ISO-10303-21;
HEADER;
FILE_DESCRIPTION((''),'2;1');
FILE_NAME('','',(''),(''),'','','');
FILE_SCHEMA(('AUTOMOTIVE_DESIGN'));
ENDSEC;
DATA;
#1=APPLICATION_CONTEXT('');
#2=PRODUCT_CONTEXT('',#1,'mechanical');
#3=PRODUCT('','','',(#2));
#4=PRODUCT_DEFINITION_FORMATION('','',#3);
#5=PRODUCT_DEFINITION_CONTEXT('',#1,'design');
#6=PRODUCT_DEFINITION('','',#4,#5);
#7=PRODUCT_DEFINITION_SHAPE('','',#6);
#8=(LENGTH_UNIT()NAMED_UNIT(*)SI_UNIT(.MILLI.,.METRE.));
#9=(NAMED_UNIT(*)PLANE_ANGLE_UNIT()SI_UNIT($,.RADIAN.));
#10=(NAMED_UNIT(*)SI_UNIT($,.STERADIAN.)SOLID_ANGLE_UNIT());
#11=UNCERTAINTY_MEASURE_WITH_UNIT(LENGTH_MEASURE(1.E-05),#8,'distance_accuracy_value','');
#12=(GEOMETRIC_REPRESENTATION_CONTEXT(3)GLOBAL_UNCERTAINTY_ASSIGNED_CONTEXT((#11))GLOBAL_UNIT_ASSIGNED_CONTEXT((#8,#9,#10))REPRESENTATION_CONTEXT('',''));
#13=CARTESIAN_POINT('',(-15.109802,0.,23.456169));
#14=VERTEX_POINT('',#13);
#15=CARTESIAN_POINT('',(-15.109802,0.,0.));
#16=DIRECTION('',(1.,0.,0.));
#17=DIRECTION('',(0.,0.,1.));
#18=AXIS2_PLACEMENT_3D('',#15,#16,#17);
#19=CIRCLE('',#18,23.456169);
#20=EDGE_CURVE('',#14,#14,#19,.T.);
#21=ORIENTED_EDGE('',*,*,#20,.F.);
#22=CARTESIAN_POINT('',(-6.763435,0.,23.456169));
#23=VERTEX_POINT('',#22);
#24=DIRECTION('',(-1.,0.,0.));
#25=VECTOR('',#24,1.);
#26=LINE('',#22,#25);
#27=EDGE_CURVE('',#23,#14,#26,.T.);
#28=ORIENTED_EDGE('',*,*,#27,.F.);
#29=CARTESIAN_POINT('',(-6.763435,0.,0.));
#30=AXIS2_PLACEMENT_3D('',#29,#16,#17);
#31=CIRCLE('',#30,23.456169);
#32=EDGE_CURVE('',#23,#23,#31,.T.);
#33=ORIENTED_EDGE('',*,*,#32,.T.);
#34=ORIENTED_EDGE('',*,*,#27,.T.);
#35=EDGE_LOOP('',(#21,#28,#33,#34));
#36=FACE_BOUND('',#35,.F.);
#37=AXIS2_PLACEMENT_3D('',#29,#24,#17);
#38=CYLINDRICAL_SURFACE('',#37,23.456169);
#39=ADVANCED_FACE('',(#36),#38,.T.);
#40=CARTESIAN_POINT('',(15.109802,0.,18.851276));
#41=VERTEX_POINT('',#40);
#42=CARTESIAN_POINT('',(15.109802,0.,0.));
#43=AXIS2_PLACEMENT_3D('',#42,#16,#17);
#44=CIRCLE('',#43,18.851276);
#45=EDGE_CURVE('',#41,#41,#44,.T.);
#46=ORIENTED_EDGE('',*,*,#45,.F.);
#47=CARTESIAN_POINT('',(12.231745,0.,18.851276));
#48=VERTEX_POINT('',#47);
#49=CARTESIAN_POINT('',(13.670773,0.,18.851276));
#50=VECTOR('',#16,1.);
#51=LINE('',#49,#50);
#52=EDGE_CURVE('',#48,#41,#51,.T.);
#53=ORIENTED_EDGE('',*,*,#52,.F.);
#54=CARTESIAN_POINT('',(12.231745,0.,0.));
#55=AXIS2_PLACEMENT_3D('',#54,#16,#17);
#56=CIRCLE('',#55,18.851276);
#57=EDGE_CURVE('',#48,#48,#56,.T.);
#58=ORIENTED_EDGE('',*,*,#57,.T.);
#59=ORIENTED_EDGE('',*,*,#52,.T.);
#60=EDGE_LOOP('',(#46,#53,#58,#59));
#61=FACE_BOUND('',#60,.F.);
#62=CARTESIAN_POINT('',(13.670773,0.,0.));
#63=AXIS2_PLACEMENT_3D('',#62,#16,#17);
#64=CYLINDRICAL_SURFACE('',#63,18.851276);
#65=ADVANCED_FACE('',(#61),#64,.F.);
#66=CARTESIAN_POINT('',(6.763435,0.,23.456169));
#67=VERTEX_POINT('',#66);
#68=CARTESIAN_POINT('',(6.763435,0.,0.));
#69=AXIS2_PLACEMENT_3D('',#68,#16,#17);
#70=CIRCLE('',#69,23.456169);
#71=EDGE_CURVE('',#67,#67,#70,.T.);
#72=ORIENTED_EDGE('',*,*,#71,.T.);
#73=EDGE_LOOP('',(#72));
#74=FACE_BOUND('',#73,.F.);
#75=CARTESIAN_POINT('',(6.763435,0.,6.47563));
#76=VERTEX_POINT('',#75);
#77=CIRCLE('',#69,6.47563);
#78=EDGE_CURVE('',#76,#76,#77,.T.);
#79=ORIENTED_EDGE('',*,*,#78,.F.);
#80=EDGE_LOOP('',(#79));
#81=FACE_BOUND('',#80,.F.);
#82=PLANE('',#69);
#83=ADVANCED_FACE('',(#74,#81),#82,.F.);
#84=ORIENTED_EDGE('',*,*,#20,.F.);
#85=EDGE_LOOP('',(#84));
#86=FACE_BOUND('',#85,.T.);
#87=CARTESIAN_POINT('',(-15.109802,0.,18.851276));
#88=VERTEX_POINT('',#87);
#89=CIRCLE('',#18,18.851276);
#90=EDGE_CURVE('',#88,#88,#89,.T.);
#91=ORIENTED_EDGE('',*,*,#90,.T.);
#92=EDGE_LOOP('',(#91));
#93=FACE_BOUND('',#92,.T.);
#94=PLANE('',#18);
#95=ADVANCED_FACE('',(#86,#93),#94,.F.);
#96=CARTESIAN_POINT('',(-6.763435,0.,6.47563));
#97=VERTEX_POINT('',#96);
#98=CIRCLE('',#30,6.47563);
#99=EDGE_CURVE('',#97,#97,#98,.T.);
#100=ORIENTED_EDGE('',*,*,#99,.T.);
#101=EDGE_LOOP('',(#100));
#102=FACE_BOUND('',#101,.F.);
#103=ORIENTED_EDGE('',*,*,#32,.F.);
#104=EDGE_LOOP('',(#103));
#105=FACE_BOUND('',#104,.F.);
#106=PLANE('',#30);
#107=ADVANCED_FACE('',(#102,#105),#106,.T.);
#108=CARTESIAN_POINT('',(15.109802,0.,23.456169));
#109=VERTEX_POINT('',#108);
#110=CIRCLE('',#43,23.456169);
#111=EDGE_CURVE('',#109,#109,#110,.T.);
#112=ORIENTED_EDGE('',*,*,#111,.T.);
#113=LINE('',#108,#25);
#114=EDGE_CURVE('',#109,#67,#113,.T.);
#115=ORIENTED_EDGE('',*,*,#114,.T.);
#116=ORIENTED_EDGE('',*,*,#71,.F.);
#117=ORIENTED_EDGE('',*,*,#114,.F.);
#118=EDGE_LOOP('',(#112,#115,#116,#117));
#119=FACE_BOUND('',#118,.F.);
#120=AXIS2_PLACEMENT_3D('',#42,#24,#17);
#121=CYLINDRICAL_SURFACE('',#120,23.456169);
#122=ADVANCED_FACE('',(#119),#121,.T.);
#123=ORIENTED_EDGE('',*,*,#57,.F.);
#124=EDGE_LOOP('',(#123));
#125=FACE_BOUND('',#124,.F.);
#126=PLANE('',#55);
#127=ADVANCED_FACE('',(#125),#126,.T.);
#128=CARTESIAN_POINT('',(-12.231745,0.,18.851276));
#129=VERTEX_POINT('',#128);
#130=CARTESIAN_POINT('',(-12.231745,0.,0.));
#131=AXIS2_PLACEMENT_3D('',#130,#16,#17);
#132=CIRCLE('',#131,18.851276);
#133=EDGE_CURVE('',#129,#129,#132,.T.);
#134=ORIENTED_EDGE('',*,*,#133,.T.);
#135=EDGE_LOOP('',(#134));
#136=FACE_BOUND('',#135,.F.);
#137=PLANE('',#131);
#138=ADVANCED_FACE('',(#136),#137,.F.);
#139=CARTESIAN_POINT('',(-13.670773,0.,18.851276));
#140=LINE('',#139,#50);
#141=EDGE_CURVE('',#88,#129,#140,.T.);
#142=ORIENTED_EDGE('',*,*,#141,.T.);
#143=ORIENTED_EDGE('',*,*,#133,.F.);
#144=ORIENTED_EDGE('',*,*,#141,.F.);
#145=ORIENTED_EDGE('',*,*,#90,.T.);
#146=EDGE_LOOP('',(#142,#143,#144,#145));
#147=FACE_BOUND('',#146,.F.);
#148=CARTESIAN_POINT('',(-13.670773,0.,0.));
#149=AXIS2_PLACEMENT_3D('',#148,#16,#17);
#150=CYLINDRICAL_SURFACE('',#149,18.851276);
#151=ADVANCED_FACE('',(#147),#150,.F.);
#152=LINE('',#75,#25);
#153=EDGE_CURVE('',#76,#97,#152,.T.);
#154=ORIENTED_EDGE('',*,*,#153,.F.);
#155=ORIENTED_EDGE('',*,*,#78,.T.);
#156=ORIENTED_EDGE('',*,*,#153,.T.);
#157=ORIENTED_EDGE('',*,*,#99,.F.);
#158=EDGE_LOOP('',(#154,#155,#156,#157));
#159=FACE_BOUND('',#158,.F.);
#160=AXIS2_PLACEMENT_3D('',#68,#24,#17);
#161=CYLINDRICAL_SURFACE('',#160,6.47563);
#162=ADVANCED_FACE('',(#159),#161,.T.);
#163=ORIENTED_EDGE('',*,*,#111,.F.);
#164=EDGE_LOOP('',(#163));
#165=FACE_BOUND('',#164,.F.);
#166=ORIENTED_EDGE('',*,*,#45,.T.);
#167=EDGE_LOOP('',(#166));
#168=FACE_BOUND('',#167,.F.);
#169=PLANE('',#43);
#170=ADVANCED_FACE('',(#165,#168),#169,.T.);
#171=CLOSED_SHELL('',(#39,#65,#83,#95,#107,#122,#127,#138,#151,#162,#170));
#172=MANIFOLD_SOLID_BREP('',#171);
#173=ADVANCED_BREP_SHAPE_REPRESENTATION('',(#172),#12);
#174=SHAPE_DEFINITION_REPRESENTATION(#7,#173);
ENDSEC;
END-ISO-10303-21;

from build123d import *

# Parameters (mm, degrees)
F0_W   = 2.8780568391
F0_H   = 4.6048928052
F0_W_2 = 6.7634354345
F0_H_2 = 6.4756297506


with BuildPart() as f1:
    # F0 (on Front) → F1 (revolve)
    with BuildSketch(Plane.XZ):
        Polygon((-12.2317448258, 0), (-6.7634354345, 0), (-6.7634354345, 6.4756297506), (-6.7634354345, 23.4561692923), (-12.2317448258, 23.4561692923), (-12.2317448258, 18.8512764871), align=None)
        with Locations((-13.6707732454, 21.1537228897)):
            Rectangle(F0_W, F0_H)
        with Locations((-3.3817177173, 3.2378148753)):
            Rectangle(F0_W_2, F0_H_2)
        with Locations((3.3817177173, 3.2378148753)):
            Rectangle(F0_W_2, F0_H_2)
        Polygon((6.7634354345, 6.4756297506), (6.7634354345, 0), (12.2317448258, 0), (12.2317448258, 18.8512764871), (12.2317448258, 23.4561692923), (6.7634354345, 23.4561692923), align=None)
        with Locations((13.6707732454, 21.1537228897)):
            Rectangle(F0_W, F0_H)
    revolve(axis=Axis((4.275970161, 0, 0), (1, 0, 0)))


solid = f1.part
